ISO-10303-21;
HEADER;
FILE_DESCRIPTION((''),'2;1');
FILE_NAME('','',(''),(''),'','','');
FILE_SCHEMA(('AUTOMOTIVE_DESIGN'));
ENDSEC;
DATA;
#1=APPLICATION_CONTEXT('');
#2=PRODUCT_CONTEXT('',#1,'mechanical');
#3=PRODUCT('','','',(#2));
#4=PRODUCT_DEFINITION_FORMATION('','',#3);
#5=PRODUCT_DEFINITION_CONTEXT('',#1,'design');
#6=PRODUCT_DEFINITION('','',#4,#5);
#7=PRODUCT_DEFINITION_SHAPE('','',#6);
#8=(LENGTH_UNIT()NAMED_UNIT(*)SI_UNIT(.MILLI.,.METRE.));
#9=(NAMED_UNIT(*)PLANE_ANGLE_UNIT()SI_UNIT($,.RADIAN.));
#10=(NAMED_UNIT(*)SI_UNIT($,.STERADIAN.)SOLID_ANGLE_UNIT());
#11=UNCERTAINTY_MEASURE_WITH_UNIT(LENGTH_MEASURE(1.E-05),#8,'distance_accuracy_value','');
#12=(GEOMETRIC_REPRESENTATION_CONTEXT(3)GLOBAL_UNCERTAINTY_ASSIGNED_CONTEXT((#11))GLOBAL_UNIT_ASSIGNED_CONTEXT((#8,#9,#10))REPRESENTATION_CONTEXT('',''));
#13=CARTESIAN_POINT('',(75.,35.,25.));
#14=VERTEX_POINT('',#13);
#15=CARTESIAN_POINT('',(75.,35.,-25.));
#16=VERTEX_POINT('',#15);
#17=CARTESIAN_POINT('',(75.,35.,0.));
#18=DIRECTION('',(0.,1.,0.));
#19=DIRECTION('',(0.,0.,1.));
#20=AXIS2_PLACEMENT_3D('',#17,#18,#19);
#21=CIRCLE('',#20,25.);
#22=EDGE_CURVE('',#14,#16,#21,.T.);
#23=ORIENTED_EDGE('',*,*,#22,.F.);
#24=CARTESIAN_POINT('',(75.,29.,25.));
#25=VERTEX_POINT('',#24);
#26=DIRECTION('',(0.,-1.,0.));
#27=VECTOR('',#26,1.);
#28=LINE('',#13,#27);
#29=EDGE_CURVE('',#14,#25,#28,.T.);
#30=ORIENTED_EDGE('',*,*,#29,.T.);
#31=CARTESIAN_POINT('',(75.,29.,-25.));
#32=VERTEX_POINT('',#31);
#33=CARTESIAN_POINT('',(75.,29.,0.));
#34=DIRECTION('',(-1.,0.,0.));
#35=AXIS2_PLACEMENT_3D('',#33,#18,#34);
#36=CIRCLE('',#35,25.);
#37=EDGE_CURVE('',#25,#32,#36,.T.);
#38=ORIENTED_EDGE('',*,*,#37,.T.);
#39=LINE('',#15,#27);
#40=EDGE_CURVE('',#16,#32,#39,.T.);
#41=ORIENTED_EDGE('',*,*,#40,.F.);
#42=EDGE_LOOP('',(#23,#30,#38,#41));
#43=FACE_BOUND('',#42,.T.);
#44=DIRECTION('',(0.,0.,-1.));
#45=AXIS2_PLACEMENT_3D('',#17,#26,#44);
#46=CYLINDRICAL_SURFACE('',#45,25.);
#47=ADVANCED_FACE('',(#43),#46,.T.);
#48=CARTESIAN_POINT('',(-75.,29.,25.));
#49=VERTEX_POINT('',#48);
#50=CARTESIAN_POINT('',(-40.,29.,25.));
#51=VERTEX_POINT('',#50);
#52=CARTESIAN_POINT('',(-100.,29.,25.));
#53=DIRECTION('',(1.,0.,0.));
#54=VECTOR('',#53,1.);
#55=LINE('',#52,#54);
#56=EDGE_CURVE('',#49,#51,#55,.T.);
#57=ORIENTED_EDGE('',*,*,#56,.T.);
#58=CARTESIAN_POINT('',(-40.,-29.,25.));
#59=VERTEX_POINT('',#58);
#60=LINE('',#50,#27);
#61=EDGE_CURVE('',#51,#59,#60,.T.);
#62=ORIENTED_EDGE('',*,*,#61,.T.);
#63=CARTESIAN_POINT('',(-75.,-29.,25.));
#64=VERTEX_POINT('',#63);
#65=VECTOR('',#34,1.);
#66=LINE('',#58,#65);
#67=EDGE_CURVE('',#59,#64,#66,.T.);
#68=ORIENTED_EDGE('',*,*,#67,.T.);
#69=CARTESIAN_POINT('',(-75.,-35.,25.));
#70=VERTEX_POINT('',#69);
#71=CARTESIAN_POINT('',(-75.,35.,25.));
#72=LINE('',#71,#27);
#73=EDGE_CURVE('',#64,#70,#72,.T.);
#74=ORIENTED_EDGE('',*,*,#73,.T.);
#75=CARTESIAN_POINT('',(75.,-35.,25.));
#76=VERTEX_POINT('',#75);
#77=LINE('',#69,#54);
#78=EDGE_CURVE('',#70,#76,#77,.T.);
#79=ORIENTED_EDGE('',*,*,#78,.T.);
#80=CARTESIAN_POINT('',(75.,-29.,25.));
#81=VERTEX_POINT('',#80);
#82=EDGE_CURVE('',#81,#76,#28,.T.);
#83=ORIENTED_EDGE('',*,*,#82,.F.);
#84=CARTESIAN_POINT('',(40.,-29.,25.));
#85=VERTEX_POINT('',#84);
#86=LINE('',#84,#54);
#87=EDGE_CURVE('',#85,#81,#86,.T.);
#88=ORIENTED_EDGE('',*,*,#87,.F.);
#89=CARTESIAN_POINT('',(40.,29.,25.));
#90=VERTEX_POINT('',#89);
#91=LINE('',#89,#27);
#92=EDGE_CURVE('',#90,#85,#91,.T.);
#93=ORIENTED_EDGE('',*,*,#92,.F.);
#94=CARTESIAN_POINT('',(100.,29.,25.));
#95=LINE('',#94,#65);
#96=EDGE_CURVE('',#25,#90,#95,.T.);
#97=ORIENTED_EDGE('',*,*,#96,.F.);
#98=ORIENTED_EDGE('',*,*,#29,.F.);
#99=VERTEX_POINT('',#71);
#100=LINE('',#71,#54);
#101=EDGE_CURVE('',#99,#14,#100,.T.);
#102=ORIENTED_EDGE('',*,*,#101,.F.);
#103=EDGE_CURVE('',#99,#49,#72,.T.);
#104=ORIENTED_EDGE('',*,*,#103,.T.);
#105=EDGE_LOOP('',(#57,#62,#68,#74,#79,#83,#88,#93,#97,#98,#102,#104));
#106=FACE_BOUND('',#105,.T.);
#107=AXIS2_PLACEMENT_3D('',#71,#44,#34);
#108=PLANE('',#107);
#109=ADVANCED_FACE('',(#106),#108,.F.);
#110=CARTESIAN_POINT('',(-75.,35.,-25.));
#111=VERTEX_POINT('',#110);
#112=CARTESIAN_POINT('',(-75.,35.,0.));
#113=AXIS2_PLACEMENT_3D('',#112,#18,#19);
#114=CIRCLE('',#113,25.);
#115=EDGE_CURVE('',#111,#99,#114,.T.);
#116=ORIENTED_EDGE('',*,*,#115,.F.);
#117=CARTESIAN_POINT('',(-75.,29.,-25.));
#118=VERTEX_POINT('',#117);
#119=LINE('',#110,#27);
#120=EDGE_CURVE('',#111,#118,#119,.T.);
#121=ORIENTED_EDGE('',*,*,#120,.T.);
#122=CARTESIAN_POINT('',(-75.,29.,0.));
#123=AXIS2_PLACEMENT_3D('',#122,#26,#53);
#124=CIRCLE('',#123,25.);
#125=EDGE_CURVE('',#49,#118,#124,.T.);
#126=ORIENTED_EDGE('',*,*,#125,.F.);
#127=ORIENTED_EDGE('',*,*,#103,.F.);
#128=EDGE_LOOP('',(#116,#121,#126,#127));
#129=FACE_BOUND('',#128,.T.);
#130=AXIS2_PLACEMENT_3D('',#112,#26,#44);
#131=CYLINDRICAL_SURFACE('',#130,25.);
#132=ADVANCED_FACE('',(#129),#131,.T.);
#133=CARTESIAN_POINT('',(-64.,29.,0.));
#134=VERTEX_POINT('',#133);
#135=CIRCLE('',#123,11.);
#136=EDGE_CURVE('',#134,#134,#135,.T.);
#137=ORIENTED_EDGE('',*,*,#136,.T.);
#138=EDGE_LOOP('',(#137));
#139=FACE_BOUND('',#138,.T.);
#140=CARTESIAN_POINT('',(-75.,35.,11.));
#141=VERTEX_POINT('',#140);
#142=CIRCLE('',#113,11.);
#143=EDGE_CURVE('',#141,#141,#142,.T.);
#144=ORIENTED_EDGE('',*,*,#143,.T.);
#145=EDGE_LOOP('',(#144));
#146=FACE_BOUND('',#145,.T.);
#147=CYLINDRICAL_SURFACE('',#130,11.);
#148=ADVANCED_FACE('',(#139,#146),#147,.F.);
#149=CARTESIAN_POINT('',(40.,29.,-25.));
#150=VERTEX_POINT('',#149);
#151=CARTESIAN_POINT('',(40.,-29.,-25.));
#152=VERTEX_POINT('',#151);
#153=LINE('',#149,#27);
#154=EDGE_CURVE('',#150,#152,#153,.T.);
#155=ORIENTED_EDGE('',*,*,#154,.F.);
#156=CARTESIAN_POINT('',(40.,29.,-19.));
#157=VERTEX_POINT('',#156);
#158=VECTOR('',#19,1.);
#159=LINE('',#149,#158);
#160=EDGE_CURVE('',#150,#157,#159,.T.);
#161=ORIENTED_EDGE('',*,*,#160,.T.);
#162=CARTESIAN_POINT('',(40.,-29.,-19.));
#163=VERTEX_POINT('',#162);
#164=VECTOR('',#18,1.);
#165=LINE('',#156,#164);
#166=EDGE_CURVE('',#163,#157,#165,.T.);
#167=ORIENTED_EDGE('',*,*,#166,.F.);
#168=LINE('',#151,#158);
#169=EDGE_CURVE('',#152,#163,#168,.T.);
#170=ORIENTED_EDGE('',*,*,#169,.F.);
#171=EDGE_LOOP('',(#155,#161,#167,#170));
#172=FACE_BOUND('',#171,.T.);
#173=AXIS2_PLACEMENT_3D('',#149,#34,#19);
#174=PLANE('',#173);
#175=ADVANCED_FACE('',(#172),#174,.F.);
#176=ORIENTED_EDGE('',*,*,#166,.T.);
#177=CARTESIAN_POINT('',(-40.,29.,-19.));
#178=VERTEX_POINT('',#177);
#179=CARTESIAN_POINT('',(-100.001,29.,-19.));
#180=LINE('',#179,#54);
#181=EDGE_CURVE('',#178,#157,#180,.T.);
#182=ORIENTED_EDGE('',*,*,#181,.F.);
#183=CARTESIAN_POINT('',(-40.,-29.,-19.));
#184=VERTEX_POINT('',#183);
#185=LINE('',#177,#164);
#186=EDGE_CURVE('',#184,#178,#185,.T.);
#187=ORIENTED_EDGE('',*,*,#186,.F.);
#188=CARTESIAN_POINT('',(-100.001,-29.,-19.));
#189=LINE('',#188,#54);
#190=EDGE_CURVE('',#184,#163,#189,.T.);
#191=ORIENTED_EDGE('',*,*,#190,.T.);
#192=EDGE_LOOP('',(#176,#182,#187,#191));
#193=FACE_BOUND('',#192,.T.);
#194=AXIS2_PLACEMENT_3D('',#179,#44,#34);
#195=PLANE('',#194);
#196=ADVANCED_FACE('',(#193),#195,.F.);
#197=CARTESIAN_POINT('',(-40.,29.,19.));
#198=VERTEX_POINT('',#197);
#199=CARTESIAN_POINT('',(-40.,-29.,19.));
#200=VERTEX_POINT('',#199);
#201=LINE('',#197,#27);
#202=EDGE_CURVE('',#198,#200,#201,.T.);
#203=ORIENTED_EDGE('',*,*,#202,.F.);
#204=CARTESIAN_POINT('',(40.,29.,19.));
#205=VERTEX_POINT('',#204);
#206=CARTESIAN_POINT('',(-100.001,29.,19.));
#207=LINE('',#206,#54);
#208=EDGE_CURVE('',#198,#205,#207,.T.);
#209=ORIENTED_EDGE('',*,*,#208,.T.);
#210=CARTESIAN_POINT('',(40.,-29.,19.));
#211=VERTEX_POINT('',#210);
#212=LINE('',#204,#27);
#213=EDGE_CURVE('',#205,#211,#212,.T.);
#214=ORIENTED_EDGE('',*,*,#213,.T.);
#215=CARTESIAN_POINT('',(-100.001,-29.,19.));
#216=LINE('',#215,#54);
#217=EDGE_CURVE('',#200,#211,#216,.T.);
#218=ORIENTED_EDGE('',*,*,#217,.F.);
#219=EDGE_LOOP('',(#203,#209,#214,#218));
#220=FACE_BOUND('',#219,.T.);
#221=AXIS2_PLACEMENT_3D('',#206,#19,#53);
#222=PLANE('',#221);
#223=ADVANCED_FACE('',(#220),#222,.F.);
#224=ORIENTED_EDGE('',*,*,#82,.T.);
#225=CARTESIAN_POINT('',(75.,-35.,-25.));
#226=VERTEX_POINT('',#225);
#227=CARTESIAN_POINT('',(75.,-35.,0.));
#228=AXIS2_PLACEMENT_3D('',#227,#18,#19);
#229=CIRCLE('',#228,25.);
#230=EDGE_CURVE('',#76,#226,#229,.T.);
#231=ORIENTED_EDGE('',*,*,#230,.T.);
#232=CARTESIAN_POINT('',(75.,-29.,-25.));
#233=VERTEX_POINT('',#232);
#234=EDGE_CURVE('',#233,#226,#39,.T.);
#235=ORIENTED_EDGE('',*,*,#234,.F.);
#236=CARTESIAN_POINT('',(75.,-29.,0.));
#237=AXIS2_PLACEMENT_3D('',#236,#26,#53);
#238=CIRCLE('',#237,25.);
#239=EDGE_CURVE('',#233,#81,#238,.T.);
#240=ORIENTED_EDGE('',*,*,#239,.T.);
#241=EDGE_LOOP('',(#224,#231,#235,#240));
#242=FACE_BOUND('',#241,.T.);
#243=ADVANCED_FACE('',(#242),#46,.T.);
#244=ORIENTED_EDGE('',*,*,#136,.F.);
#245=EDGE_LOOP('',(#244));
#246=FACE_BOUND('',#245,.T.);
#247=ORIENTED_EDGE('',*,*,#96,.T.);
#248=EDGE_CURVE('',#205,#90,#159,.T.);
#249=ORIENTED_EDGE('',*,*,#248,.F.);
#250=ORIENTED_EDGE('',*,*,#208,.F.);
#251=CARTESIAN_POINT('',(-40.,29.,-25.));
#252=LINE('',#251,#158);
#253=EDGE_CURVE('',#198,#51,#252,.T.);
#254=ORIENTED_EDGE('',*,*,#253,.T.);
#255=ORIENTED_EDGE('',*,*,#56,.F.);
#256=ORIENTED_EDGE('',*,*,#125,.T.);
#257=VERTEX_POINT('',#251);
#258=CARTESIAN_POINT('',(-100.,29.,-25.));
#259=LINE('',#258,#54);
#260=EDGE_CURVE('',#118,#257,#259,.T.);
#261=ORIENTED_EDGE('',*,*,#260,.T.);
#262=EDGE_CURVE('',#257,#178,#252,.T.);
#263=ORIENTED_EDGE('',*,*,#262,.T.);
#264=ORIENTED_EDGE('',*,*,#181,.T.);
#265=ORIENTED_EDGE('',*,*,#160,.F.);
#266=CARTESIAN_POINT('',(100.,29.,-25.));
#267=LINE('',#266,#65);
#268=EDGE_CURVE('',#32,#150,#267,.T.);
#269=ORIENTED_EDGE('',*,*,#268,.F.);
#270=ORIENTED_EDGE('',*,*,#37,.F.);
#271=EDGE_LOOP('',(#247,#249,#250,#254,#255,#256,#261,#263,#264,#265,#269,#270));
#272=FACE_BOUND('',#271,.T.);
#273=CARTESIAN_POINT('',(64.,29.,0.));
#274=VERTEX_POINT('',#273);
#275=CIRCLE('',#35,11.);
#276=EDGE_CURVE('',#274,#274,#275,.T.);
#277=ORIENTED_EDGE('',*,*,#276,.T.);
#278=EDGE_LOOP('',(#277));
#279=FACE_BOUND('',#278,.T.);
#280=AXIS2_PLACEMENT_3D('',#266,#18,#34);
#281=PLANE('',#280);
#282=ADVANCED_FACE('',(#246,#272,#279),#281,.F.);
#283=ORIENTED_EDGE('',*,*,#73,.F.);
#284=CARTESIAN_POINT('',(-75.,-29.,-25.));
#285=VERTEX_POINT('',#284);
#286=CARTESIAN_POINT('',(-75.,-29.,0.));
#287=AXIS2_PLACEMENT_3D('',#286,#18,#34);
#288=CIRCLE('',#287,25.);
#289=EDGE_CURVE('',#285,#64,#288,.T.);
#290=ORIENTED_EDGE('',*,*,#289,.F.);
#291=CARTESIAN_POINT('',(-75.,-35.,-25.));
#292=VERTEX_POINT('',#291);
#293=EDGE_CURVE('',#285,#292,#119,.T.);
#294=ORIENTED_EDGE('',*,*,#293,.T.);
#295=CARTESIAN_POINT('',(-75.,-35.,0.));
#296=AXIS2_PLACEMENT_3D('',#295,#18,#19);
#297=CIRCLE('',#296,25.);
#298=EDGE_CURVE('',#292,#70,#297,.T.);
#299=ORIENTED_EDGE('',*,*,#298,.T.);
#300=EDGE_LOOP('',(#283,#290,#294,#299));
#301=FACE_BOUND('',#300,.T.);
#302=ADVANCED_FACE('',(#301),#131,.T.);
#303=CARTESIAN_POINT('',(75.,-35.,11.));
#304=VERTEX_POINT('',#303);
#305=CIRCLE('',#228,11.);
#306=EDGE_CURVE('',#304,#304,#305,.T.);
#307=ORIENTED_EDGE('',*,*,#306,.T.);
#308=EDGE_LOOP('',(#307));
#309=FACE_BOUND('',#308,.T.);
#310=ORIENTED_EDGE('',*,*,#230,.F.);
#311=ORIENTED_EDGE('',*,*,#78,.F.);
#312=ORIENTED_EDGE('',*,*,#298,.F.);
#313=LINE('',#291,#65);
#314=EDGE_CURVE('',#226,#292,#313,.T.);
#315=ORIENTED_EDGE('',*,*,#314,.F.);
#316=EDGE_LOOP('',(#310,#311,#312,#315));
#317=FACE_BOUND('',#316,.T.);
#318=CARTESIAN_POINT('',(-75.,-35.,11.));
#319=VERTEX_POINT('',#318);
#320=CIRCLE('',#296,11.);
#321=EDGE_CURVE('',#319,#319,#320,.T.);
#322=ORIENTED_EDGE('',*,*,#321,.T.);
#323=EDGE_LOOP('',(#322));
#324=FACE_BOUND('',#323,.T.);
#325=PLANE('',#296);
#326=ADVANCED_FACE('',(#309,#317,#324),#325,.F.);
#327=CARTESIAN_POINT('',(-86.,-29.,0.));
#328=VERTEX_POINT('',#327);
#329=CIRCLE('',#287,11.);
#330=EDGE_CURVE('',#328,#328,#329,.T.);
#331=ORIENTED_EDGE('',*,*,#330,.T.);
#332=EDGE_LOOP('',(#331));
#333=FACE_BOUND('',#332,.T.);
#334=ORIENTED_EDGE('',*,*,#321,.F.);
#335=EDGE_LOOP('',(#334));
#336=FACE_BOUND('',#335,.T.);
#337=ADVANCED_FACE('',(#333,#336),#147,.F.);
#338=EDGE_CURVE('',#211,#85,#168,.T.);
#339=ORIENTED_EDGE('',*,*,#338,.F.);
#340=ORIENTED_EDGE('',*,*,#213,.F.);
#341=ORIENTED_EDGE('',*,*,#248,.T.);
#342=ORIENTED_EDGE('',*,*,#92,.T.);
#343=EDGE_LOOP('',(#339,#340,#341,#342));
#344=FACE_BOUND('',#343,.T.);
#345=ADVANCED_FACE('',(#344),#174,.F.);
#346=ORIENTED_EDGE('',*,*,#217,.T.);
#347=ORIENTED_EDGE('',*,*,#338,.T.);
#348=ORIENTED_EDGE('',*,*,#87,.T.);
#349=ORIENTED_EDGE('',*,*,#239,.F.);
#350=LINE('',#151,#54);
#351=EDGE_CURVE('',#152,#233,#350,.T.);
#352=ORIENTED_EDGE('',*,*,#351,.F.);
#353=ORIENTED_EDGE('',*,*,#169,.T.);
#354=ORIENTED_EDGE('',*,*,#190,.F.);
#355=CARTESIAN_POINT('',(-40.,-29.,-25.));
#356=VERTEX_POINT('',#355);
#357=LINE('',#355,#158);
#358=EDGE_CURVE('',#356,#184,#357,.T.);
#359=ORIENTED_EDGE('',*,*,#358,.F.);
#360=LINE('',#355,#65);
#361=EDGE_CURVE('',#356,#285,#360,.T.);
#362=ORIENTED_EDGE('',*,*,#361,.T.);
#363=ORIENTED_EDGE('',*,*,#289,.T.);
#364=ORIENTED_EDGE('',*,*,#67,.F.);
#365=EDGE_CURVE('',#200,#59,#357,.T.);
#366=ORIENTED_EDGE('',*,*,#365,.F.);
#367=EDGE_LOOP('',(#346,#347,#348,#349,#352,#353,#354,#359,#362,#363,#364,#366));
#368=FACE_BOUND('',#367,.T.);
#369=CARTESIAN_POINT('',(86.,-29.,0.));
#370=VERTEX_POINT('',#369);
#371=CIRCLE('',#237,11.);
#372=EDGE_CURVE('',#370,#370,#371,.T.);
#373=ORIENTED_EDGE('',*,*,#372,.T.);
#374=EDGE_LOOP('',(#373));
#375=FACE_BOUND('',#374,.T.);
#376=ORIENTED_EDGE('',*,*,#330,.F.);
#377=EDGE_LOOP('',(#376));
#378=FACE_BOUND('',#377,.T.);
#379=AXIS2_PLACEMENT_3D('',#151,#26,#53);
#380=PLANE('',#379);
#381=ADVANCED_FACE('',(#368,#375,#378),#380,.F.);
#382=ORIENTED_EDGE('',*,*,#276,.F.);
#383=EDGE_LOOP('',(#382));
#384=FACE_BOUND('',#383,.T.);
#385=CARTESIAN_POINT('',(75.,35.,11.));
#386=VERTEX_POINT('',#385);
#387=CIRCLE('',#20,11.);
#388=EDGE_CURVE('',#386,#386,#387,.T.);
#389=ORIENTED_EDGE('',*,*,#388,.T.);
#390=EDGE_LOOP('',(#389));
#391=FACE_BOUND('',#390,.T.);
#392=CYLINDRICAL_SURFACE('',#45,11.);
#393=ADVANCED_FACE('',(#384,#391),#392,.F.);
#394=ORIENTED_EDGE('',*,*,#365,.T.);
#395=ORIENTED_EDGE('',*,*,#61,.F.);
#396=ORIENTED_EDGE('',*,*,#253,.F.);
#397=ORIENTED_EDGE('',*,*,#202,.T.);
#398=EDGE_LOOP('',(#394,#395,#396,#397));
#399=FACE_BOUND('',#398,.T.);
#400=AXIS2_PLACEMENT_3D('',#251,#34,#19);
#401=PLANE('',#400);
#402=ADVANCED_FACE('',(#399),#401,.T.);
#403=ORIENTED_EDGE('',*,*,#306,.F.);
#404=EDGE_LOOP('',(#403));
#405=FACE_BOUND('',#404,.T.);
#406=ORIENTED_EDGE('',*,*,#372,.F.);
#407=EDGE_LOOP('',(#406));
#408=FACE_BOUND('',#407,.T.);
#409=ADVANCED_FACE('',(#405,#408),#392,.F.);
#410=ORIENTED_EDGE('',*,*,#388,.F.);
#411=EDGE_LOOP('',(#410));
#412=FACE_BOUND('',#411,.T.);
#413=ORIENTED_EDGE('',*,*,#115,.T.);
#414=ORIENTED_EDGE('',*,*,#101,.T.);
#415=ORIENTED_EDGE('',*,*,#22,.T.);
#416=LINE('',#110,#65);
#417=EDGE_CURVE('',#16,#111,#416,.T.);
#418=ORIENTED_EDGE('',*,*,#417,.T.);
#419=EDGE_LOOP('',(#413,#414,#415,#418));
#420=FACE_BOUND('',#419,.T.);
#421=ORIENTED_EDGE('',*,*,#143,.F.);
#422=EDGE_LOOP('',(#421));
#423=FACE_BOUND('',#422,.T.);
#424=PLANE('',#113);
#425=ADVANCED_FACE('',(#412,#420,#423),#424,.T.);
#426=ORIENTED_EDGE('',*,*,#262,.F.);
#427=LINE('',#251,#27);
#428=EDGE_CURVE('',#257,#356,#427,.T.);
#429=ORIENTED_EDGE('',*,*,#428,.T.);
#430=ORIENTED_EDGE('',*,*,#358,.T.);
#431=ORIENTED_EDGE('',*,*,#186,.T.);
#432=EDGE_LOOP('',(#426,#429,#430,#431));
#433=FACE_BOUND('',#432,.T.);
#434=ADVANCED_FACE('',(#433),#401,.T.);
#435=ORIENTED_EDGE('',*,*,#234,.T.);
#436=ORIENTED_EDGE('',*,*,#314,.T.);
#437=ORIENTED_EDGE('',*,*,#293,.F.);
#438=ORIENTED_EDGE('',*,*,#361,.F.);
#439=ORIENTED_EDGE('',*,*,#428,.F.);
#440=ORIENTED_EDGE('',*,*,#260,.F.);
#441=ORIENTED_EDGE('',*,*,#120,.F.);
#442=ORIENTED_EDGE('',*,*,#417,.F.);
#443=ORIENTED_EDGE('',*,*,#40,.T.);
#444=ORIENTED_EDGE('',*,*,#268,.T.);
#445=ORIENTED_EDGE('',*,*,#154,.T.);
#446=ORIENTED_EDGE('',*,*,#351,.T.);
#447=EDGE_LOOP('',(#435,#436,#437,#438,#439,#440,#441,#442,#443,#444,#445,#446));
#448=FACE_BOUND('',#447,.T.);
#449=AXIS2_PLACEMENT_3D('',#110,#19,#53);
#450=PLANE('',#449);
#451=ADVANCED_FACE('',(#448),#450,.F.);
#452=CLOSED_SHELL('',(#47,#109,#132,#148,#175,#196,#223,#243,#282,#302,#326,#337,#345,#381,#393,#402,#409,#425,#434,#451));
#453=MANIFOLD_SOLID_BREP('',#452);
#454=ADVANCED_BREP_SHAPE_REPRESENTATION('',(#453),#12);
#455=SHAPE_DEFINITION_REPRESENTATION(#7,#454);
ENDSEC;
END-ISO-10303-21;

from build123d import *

# Parameters (mm, degrees)
SKETCH1_R           = 11
BOSS_EXTRUDE1_DEPTH = 35
SKETCH2_W           = 60
SKETCH2_H           = 58
CUT_EXTRUDE1_DEPTH  = 109.857705285
CUT_EXTRUDE2_REACH  = 148.458
SKETCH3_W           = 38
SKETCH3_H           = 58


with BuildPart() as part:
    # Sketch1 → Boss-Extrude1 (new, symmetric)
    with BuildSketch(Plane(origin=(0, 0, 0), x_dir=(1, 0, 0), z_dir=(0, 1, 0))):
        with BuildLine():
            Line((-75, 25), (75, 25))
            ThreePointArc((75, 25), (100, 0), (75, -25))
            Line((75, -25), (-75, -25))
            ThreePointArc((-75, -25), (-100, 0), (-75, 25))
        make_face()
        with Locations(Location((75, 0, 0), (0, 0, 270))):
            Circle(SKETCH1_R, mode=Mode.SUBTRACT)
        with Locations(Location((-75, 0, 0), (0, 0, 270))):
            Circle(SKETCH1_R, mode=Mode.SUBTRACT)
    extrude(amount=BOSS_EXTRUDE1_DEPTH, both=True)

    # Sketch2 → Cut-Extrude1 (cut, symmetric)
    with BuildSketch(Plane.XY):
        with Locations((70, 0)):
            Rectangle(SKETCH2_W, SKETCH2_H)
    cut_extrude1 = extrude(amount=CUT_EXTRUDE1_DEPTH, both=True, mode=Mode.SUBTRACT)

    # Mirror1: Cut-Extrude1 across plane
    add(cut_extrude1.mirror(Plane(origin=(0, 0, 0), x_dir=(0, 0, 1), z_dir=(1, 0, 0))), mode=Mode.SUBTRACT)

    # Sketch3 → Cut-Extrude2 (cut, up to next)
    with BuildSketch(Plane(origin=(40, 0, 0), x_dir=(0, 0, -1), z_dir=(1, 0, 0)), mode=Mode.PRIVATE) as cut_extrude2_sk1:
        Rectangle(SKETCH3_W, SKETCH3_H)
    cut_extrude2_tool1 = extrude(cut_extrude2_sk1.sketch, amount=-CUT_EXTRUDE2_REACH, mode=Mode.PRIVATE) & part.part
    add(cut_extrude2_tool1.solids().sort_by_distance((40, 0, 0))[0], mode=Mode.SUBTRACT)


solid = part.part
